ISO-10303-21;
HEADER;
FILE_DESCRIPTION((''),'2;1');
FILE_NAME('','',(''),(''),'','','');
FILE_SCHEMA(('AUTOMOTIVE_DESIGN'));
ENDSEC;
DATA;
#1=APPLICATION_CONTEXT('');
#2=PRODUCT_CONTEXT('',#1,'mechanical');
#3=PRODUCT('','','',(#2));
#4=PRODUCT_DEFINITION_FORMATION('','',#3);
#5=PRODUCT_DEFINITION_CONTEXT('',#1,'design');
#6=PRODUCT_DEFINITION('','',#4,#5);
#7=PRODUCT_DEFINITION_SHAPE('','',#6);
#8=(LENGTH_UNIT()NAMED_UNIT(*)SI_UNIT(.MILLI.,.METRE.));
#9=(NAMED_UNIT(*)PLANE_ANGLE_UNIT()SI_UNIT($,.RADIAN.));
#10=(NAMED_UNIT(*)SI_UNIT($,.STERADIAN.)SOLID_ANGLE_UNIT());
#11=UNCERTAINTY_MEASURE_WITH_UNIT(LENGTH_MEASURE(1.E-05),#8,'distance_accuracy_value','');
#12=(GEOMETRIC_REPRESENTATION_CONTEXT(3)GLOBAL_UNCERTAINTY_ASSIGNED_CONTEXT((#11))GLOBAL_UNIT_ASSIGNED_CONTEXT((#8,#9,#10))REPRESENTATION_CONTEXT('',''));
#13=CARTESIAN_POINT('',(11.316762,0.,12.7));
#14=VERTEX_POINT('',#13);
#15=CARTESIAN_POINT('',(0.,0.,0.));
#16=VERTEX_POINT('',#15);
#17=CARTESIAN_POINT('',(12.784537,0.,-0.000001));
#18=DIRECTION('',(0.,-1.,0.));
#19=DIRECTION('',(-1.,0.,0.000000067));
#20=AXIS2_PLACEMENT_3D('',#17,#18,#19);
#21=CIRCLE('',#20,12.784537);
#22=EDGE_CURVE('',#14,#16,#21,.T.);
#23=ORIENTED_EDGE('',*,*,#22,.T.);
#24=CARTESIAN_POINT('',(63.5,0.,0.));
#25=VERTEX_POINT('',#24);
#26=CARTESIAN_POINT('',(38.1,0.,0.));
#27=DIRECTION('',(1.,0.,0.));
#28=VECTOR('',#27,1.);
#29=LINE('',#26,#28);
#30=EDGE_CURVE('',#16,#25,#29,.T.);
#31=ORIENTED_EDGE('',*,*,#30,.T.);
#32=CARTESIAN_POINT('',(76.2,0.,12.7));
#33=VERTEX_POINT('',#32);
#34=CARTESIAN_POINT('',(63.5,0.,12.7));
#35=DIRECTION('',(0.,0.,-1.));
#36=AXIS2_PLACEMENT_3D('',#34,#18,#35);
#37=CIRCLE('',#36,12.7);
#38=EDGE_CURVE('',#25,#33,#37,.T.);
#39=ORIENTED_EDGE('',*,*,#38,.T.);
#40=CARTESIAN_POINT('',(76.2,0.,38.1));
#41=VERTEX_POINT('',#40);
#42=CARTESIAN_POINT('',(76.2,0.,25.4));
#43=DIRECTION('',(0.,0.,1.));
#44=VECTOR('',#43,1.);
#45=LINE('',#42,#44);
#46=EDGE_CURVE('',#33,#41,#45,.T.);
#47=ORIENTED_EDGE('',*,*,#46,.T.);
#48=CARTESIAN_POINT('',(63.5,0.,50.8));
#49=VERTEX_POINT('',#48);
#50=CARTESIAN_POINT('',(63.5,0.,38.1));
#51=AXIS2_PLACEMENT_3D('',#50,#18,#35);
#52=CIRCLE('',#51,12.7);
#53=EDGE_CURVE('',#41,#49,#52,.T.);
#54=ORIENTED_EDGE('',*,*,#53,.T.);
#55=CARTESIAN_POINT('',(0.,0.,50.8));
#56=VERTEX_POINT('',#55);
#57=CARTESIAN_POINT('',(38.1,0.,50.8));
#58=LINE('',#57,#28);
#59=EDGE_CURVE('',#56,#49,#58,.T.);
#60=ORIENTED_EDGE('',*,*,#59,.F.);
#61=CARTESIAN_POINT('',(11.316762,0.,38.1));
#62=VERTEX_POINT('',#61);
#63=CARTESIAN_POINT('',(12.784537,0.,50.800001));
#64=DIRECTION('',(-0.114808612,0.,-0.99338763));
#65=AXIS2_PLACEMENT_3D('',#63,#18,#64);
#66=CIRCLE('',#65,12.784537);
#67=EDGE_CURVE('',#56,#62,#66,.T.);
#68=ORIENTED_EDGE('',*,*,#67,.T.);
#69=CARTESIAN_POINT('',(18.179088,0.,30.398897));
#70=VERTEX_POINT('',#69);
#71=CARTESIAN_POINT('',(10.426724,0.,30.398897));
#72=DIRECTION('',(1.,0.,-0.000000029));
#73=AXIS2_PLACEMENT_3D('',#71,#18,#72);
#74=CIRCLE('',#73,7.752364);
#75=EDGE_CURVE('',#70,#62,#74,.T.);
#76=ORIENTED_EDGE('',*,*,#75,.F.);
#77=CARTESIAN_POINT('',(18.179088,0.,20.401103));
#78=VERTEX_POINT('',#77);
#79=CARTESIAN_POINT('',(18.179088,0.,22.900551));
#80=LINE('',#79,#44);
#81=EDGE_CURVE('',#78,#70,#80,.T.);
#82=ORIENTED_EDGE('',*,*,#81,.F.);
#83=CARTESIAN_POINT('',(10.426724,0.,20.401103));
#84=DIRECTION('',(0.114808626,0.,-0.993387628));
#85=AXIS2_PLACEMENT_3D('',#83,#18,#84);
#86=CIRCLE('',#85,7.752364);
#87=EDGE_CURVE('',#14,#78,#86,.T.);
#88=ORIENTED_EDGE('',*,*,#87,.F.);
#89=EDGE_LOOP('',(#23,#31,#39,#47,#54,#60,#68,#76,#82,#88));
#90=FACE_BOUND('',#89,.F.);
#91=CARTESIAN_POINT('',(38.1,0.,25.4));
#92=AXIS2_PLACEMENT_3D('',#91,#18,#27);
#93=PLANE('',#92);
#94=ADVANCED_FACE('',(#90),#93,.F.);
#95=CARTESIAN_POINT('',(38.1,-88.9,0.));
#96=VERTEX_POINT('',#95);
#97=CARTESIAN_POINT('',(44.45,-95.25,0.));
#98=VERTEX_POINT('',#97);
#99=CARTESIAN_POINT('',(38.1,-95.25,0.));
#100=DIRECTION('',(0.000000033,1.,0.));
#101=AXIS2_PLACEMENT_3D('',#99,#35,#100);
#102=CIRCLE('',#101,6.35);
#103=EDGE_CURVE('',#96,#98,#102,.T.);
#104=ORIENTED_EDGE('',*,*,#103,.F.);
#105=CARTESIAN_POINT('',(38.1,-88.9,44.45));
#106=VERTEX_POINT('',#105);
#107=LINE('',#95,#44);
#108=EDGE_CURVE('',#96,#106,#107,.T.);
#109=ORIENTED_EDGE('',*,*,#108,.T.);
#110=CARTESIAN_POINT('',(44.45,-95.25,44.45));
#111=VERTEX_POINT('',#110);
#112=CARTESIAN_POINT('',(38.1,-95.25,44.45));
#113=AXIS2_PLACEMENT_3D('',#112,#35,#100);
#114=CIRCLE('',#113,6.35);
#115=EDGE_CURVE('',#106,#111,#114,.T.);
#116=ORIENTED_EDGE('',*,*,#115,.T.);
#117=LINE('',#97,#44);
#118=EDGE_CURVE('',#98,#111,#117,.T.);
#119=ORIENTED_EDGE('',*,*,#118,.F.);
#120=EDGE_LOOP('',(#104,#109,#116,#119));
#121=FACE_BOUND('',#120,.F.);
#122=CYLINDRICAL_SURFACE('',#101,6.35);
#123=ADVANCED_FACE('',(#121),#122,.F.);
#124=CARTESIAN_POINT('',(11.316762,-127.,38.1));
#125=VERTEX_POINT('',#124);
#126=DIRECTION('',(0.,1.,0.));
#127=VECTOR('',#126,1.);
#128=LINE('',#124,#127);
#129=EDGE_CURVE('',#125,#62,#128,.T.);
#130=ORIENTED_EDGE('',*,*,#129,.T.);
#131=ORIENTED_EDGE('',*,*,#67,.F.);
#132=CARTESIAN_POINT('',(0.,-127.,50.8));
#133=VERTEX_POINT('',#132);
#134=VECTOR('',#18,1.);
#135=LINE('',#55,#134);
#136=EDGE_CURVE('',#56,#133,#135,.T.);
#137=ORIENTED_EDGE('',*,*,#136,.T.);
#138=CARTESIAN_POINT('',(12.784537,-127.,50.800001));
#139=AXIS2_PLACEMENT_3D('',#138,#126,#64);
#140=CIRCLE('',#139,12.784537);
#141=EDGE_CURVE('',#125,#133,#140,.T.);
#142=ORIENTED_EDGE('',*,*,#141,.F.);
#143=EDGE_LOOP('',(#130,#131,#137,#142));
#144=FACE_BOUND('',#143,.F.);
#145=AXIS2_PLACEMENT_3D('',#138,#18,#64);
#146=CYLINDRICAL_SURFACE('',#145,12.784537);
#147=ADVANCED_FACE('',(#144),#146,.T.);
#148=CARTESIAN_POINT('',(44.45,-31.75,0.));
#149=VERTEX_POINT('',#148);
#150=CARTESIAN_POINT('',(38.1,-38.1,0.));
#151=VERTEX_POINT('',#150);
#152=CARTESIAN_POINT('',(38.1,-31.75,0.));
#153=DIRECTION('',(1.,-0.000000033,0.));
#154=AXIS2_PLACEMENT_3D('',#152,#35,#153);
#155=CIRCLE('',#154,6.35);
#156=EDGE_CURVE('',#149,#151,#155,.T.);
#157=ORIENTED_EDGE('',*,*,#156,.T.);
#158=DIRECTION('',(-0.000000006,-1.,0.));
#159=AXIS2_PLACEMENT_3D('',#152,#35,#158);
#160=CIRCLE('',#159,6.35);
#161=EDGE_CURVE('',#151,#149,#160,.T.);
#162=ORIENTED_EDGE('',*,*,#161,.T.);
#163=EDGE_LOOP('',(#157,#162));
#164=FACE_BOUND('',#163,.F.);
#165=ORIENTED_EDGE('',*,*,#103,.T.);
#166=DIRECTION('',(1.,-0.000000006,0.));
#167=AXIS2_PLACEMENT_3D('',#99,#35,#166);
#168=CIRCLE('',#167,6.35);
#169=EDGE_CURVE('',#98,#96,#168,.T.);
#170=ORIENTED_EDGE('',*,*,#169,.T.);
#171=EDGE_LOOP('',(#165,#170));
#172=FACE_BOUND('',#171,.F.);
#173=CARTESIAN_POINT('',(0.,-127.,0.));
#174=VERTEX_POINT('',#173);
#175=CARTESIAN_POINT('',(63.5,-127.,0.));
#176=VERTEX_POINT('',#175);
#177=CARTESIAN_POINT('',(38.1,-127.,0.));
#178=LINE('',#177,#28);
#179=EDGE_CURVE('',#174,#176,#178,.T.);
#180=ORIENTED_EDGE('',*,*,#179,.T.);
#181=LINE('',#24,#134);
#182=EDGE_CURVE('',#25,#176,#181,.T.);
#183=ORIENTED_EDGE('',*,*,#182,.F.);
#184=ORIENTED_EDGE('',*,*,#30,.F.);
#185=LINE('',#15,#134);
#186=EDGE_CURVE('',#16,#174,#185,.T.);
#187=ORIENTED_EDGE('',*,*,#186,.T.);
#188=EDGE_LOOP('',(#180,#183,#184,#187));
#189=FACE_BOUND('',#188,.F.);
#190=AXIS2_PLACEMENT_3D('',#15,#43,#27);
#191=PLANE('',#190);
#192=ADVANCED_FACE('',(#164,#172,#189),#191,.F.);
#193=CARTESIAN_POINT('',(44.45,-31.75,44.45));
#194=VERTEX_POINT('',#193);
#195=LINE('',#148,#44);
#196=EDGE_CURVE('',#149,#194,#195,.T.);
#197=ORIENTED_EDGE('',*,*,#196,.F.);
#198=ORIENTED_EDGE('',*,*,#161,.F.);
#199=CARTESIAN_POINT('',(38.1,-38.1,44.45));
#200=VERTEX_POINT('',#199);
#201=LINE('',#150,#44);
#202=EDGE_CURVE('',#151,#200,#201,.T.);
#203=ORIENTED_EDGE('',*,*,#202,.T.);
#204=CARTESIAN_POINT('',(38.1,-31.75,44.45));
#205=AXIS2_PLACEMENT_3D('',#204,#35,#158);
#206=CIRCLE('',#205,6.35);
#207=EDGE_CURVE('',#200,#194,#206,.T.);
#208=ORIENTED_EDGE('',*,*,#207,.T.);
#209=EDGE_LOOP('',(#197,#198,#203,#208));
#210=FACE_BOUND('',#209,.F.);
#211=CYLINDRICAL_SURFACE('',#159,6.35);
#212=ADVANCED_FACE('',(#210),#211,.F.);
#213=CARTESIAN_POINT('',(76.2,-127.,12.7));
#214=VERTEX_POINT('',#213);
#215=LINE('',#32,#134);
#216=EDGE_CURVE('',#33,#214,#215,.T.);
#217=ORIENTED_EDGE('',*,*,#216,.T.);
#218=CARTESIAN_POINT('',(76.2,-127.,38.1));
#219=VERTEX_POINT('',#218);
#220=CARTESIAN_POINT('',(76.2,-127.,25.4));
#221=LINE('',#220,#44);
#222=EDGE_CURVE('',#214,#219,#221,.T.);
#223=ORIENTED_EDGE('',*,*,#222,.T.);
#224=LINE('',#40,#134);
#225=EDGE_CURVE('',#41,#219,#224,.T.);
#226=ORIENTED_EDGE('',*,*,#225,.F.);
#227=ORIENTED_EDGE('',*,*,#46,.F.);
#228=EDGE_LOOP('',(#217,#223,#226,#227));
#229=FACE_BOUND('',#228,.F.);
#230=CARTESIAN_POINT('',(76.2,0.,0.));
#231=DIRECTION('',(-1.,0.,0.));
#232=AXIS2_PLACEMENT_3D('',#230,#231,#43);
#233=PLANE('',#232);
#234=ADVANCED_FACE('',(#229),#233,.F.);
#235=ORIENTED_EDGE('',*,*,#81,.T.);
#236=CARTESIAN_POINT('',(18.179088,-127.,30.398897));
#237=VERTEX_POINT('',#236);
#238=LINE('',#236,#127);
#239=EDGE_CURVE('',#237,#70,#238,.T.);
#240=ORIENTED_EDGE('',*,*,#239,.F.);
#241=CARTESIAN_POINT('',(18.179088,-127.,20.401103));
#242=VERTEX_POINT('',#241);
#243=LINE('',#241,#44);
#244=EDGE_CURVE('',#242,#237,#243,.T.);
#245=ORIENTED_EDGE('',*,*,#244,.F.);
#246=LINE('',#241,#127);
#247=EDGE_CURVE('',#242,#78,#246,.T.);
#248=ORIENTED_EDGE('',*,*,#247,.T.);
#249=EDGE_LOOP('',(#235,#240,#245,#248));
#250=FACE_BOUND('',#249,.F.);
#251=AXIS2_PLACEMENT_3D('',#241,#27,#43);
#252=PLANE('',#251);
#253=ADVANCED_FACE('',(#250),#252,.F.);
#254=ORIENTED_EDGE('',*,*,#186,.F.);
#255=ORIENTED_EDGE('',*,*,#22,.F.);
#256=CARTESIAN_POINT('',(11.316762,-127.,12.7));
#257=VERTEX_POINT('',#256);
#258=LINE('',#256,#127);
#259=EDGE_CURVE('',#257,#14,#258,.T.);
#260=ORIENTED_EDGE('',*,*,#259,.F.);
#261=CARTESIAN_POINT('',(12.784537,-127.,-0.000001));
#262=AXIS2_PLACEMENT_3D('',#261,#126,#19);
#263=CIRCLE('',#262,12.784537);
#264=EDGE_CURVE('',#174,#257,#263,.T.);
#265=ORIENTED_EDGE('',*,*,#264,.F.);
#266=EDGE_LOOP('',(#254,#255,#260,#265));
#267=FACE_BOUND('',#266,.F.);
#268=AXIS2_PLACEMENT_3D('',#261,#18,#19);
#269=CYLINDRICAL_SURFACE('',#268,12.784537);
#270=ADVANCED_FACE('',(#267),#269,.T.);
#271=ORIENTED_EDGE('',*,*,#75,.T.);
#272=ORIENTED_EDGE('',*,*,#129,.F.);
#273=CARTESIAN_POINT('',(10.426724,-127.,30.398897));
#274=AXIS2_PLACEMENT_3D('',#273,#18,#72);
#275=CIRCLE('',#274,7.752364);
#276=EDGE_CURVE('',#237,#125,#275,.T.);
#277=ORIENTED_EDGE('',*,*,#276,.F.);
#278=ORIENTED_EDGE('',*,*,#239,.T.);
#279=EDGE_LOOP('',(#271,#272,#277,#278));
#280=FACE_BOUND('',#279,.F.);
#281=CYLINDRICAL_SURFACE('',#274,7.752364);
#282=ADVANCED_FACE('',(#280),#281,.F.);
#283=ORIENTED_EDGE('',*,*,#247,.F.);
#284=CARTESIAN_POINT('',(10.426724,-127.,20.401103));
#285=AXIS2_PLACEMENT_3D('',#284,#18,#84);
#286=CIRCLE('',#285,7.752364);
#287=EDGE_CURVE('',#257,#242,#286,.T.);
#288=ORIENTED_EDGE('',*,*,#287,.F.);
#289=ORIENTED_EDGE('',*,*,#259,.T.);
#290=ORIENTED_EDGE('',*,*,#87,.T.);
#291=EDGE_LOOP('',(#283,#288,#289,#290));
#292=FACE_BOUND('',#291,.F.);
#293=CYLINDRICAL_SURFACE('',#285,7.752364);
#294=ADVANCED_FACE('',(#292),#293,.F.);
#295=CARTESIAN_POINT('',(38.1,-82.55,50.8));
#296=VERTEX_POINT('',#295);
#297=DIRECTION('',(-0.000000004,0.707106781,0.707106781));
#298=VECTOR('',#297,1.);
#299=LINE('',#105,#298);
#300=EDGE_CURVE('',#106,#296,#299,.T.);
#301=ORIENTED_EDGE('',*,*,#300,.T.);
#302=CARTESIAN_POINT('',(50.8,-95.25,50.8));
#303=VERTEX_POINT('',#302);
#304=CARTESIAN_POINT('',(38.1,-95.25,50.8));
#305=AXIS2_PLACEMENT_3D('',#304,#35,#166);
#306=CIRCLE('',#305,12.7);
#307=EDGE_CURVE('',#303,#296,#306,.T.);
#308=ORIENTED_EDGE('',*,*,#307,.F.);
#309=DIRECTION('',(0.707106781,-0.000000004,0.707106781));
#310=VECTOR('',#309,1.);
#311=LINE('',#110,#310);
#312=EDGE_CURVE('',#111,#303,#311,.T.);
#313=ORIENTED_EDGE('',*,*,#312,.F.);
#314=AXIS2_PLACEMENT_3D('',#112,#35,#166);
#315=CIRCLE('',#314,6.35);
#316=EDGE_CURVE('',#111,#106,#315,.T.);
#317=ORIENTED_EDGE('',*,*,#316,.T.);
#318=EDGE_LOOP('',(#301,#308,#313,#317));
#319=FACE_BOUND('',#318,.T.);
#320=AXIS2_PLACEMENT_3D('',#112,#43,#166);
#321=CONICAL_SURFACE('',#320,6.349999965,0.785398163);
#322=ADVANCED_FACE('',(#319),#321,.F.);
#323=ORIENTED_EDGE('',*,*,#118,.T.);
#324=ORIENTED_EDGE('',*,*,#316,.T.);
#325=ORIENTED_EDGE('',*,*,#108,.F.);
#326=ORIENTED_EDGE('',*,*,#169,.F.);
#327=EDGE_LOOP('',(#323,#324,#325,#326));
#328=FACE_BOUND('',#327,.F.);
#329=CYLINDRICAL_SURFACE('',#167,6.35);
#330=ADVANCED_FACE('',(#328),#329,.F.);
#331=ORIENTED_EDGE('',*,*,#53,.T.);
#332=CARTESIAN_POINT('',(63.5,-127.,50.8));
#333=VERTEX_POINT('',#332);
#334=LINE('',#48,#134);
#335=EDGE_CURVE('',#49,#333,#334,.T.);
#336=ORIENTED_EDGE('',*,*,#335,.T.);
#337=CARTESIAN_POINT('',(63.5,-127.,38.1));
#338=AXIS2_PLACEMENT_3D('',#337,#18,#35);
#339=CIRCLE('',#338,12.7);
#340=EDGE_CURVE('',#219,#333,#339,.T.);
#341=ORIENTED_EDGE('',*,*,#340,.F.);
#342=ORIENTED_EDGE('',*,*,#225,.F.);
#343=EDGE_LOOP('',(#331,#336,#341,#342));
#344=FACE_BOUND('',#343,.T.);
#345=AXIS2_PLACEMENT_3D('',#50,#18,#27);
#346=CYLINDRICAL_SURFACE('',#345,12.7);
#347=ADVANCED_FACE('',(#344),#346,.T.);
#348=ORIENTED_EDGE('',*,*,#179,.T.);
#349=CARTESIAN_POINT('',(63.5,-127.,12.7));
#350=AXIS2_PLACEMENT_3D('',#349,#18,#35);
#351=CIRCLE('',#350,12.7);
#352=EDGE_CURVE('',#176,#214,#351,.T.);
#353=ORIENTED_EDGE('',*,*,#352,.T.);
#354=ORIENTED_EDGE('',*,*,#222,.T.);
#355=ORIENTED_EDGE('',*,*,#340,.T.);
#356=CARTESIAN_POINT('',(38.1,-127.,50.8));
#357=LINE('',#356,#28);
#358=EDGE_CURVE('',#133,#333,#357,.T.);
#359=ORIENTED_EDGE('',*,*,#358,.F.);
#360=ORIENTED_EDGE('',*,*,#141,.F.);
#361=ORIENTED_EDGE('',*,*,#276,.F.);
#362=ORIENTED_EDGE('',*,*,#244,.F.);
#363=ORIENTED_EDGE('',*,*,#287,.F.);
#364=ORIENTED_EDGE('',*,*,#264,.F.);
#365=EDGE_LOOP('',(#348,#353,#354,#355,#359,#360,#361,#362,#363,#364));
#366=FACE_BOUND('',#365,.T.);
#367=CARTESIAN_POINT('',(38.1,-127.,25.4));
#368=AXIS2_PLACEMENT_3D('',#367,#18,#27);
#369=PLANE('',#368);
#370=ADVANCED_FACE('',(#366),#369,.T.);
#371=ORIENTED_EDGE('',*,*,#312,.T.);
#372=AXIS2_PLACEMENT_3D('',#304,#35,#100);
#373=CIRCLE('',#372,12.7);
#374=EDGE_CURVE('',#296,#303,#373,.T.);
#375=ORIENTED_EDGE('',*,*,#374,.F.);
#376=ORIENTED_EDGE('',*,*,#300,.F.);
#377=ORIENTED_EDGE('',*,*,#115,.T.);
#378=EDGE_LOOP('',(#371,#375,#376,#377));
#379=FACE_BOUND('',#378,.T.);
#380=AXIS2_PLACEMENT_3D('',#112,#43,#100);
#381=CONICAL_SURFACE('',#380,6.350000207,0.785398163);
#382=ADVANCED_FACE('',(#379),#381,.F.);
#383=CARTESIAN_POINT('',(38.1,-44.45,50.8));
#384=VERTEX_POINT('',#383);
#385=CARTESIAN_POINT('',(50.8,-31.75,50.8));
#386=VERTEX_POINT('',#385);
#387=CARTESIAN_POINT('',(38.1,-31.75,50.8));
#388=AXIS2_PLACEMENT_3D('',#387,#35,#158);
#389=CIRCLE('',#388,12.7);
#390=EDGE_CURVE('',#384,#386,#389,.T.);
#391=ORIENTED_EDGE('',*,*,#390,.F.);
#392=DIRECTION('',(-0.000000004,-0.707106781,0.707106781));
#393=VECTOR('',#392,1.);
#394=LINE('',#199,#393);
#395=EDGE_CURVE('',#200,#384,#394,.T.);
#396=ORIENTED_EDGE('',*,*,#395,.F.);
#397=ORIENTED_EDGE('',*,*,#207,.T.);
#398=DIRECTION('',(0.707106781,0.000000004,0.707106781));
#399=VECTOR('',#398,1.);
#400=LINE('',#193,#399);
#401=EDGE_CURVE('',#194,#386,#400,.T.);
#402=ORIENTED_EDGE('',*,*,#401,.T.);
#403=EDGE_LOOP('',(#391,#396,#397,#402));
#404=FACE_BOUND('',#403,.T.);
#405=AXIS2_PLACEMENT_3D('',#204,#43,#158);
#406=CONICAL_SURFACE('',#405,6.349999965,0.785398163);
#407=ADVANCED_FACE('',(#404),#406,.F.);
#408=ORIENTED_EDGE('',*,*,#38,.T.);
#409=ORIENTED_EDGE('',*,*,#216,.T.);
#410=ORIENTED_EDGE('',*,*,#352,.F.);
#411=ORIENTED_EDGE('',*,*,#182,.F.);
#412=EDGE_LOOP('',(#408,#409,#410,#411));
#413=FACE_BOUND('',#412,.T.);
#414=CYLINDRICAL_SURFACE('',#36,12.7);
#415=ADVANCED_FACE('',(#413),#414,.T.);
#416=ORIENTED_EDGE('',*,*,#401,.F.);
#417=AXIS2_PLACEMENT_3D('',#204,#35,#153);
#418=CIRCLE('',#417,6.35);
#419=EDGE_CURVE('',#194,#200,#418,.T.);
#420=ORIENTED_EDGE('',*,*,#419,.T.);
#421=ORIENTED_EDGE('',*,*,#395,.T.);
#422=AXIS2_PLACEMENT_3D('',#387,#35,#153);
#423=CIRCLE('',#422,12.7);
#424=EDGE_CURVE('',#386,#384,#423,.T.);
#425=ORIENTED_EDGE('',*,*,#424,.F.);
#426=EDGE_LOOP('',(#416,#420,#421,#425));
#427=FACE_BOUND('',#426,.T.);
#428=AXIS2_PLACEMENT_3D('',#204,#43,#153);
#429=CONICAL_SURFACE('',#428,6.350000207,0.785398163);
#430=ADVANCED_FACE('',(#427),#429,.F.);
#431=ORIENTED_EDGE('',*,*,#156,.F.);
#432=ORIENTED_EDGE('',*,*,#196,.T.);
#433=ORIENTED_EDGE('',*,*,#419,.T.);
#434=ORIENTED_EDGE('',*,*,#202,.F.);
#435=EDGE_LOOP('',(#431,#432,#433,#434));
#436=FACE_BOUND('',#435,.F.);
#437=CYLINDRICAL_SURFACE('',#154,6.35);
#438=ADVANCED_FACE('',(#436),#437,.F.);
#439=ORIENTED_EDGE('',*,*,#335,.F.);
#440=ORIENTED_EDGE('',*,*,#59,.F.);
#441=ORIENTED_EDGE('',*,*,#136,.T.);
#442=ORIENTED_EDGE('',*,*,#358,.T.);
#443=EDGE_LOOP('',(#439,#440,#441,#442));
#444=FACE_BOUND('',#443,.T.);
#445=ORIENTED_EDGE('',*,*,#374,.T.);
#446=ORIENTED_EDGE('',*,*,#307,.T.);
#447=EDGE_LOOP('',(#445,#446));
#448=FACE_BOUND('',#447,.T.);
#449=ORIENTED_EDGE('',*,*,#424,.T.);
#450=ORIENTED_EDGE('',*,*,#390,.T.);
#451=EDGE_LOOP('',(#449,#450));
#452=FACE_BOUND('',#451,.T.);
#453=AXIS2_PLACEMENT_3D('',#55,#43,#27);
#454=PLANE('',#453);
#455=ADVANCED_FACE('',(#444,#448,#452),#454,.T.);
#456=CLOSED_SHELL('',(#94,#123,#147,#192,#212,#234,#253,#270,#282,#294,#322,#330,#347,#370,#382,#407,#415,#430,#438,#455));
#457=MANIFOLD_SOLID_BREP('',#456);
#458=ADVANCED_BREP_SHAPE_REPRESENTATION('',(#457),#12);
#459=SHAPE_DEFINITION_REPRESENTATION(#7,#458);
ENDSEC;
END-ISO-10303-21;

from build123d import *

# Parameters (mm, degrees)
F0_W     = 76.2
F0_H     = 50.8
F1_DEPTH = 127
F3_DEPTH = 127.001
F4_R     = 12.7
F6_DEPTH = 50.801
F7_SIZE  = 6.35


with BuildPart() as f1:
    # F0 (on Front) → F1 (new body)
    with BuildSketch(Plane.XZ):
        with Locations((38.1, 25.4)):
            Rectangle(F0_W, F0_H)
    extrude(amount=F1_DEPTH)

    # F2 (on face) → F3 (cut, through all)
    with BuildSketch(Plane.XZ.offset(127)):
        with BuildLine():
            ThreePointArc((11.316762, 38.1), (3.239664, 42.294721), (0, 50.8))
            Line((0, 50.8), (0, 0))
            ThreePointArc((0, 0), (3.239664, 8.505279), (11.316762, 12.7))
            ThreePointArc((11.316762, 12.7), (16.214601, 15.24362), (18.179088, 20.401103))
            Line((18.179088, 20.401103), (18.179088, 30.398897))
            ThreePointArc((18.179088, 30.398897), (16.214601, 35.55638), (11.316762, 38.1))
        make_face()
    extrude(amount=-F3_DEPTH, mode=Mode.SUBTRACT)

    # F4
    f4_edges = [f1.edges().sort_by_distance(p)[0] for p in [
        (76.2, -63.5, 50.8),
        (76.2, -63.5, 0),
    ]]
    fillet(f4_edges, radius=F4_R)

    # F5 (on face) → F6 (cut, through all)
    with BuildSketch(Plane(origin=(0, 0, 0), x_dir=(1, 0, 0), z_dir=(0, 0, -1))):
        with BuildLine():
            ThreePointArc((38.1, 88.9), (42.590128, 90.759872), (44.45, 95.25))
            ThreePointArc((44.45, 95.25), (33.609872, 99.740128), (38.1, 88.9))
        make_face()
        with BuildLine():
            ThreePointArc((44.45, 31.75), (42.590128, 36.240128), (38.1, 38.1))
            ThreePointArc((38.1, 38.1), (33.609872, 27.259872), (44.45, 31.75))
        make_face()
    extrude(amount=-F6_DEPTH, mode=Mode.SUBTRACT)

    # F7
    f7_edges = [f1.edges().sort_by_distance(p)[0] for p in [
        (38.1, -101.6, 50.8),
        (31.75, -31.75, 50.8),
    ]]
    chamfer(f7_edges, length=F7_SIZE)


solid = f1.part
